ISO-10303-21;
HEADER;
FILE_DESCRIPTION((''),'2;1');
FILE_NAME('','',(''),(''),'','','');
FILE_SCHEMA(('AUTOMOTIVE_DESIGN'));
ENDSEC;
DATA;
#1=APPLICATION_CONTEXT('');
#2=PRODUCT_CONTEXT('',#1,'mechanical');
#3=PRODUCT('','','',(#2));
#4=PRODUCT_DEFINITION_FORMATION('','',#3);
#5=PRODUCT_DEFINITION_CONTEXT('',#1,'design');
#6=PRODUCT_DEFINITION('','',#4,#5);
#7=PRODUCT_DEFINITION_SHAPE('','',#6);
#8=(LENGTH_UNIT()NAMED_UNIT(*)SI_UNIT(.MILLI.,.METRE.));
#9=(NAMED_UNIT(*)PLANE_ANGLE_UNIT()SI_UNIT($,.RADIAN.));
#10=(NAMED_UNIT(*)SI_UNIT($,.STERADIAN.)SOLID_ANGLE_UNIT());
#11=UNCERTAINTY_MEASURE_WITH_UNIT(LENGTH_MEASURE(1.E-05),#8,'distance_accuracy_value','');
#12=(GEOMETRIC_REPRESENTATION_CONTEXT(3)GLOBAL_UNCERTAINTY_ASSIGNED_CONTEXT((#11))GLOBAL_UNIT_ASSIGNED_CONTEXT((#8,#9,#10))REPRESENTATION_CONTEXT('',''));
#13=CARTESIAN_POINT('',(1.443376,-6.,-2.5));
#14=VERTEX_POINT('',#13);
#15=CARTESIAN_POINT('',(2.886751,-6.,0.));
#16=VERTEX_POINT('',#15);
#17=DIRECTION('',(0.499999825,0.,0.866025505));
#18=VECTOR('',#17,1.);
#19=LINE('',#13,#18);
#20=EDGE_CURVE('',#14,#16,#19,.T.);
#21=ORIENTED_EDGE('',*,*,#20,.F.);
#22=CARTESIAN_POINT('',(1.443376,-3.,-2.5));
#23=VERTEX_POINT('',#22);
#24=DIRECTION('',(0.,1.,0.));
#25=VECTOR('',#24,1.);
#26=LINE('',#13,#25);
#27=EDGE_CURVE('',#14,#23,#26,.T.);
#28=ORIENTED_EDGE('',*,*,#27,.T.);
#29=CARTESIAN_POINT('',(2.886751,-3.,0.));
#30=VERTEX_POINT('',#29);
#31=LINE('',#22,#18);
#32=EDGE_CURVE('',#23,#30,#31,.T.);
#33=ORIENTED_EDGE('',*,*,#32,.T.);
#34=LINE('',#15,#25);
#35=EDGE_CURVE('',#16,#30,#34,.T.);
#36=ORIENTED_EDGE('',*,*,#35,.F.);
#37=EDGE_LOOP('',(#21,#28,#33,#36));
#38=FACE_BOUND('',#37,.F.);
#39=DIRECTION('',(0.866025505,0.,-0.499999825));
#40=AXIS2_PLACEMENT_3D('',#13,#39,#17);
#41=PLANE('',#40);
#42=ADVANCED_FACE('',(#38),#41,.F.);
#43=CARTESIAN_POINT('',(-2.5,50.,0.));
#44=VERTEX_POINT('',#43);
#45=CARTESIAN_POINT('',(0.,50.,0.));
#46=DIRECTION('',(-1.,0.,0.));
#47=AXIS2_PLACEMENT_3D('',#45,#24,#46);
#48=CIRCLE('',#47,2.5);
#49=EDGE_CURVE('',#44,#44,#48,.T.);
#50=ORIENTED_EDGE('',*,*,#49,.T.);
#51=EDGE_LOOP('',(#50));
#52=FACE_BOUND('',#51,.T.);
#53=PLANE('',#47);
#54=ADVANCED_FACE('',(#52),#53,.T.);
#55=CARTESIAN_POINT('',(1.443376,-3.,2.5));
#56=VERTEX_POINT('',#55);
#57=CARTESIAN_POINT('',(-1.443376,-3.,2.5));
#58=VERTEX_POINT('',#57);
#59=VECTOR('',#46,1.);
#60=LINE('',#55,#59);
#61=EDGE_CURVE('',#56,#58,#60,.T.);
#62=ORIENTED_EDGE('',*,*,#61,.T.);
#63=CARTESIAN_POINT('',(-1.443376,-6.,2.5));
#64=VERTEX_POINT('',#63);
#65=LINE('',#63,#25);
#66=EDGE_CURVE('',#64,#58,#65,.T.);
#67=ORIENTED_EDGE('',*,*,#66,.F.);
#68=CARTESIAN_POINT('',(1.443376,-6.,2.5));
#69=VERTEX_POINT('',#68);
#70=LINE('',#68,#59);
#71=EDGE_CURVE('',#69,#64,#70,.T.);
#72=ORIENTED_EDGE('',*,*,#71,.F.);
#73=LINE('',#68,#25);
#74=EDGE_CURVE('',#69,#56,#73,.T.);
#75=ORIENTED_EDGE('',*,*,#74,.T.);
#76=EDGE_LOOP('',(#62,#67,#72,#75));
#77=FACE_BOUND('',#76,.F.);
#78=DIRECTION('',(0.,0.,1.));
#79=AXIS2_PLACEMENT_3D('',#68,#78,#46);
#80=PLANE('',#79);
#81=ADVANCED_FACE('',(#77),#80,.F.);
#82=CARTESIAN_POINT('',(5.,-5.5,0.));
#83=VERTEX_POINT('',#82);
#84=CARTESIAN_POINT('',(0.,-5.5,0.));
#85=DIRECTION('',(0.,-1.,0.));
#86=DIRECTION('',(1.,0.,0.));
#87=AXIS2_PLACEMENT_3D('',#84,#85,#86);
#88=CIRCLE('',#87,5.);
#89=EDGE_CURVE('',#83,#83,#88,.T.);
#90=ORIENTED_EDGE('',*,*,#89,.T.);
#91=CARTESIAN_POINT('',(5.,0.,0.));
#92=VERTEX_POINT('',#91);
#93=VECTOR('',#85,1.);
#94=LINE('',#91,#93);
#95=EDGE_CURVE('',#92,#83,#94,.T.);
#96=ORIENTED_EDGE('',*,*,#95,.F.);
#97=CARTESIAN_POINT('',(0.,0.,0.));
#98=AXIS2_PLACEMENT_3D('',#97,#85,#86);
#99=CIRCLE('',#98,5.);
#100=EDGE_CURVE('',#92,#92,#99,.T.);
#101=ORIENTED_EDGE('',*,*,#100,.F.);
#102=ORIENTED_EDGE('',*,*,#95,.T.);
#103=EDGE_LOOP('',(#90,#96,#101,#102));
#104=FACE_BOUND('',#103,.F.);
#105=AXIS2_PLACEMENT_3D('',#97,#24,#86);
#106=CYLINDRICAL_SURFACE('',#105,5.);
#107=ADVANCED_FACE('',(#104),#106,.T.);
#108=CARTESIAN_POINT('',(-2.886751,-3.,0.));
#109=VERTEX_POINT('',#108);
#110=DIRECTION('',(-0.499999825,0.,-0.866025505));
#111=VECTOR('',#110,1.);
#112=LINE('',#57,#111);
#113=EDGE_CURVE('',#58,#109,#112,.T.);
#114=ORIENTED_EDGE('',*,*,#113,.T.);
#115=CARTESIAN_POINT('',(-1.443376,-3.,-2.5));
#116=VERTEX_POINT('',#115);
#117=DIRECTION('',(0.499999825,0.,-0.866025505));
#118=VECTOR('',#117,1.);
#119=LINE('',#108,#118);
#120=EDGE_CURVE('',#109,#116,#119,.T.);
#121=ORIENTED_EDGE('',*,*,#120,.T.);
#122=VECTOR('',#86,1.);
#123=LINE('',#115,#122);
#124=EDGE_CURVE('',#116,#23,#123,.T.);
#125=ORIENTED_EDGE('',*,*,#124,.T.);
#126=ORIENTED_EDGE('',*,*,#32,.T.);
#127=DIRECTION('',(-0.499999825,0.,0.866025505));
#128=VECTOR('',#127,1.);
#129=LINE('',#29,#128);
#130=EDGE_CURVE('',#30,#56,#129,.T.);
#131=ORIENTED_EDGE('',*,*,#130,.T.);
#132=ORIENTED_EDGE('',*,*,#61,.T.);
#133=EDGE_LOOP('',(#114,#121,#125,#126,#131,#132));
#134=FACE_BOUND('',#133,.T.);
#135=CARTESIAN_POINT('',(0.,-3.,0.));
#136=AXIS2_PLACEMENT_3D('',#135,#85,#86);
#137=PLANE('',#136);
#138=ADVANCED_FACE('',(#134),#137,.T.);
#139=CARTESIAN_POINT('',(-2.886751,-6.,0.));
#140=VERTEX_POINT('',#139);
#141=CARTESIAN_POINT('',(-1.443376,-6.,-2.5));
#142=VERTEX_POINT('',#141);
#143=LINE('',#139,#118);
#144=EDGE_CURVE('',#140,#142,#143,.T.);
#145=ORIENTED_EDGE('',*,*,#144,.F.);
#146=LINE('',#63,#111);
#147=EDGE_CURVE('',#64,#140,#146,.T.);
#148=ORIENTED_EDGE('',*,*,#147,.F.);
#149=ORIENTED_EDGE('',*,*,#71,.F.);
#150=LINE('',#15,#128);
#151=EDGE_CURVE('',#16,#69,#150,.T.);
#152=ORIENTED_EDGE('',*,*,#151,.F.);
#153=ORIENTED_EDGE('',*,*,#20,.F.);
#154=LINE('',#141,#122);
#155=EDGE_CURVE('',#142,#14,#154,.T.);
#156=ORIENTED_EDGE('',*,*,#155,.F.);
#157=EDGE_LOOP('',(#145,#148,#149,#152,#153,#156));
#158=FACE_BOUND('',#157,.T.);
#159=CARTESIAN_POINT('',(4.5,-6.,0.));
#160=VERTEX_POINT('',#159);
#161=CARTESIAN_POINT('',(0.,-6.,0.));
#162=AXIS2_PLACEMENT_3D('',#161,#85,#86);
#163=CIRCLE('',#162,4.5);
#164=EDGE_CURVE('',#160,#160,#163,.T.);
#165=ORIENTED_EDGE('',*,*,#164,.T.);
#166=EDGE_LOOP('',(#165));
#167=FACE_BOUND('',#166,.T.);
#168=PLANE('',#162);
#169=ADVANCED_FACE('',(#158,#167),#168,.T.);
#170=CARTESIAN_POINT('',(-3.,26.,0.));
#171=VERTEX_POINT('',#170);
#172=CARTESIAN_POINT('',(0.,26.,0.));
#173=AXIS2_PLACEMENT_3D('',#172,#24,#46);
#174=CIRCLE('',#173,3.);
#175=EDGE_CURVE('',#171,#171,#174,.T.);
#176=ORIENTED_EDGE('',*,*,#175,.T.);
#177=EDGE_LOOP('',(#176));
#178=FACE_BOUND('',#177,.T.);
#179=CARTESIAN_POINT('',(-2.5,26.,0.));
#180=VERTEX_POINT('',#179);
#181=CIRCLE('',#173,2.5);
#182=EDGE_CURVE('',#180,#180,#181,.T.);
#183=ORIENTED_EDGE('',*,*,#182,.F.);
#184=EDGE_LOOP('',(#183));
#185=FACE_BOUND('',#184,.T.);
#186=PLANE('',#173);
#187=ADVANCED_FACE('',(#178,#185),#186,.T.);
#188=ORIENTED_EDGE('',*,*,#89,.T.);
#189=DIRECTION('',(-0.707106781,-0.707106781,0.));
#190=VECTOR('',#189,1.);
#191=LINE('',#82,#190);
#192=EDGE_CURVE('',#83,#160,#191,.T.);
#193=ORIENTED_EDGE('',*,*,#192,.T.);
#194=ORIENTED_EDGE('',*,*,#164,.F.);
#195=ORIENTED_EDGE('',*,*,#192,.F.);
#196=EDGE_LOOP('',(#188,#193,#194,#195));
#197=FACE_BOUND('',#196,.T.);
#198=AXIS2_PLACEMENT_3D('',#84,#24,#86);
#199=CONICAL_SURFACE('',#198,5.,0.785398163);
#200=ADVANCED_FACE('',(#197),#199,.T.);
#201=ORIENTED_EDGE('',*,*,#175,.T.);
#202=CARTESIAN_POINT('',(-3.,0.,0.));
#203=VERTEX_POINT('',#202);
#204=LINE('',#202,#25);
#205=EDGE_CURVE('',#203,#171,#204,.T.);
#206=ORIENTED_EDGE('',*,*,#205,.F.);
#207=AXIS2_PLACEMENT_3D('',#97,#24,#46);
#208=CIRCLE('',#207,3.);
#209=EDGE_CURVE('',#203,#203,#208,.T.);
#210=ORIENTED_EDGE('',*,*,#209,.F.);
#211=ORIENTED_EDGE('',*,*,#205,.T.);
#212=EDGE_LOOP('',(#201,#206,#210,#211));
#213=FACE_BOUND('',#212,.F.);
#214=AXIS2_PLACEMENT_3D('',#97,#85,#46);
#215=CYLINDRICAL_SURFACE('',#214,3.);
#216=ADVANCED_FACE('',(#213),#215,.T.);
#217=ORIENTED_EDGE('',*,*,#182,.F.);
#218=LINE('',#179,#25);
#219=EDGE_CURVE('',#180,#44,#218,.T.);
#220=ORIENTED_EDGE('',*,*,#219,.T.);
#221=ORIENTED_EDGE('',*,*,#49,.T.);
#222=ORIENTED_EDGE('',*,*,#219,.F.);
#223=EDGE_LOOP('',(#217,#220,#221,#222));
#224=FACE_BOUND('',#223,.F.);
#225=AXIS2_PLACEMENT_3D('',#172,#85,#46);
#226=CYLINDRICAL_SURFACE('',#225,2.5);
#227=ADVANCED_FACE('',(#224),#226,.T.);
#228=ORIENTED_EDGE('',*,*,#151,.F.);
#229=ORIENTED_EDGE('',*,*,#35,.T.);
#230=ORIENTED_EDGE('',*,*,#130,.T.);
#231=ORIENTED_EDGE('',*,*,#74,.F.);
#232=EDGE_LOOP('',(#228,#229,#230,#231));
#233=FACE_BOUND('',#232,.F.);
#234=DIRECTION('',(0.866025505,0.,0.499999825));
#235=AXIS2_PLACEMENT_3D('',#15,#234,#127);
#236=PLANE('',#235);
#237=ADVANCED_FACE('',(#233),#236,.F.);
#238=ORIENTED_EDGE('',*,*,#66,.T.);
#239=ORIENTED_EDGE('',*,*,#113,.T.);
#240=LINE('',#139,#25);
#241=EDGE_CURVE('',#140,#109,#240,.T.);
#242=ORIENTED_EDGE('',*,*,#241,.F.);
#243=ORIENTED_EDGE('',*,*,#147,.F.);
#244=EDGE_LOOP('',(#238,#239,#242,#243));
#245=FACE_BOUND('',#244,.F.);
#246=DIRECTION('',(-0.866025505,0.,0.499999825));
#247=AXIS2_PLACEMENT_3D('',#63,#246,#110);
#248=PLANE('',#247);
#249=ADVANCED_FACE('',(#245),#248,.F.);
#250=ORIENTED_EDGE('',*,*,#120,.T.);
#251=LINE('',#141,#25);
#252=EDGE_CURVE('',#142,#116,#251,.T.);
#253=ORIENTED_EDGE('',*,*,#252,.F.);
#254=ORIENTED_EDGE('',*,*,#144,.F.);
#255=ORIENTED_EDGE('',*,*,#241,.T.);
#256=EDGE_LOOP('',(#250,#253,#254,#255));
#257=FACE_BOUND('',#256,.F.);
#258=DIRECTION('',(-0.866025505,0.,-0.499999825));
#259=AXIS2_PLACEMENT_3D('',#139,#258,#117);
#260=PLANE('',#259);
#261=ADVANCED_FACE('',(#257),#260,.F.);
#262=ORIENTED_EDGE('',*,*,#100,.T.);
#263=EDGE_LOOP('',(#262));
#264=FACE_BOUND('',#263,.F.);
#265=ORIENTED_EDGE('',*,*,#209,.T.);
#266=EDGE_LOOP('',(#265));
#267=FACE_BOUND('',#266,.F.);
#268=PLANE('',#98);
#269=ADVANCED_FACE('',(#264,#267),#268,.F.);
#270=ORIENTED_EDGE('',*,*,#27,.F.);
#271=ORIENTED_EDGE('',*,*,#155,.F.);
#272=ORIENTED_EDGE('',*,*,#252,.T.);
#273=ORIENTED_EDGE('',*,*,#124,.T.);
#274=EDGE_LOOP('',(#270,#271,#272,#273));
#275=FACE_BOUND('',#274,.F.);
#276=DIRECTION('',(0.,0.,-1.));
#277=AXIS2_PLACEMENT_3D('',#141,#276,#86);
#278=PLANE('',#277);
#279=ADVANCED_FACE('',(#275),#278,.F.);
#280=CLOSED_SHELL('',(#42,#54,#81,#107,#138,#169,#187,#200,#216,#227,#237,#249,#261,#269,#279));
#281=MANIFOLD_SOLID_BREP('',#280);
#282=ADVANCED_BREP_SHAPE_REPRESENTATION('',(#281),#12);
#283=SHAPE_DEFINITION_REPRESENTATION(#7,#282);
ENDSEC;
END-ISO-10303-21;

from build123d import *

# Parameters (mm, degrees)
F0_R     = 5
F1_DEPTH = 6
F2_R     = 3
F3_DEPTH = 26
F4_R     = 2.5
F5_DEPTH = 24
F7_DEPTH = 3
F8_SIZE  = 0.5


with BuildPart() as f1:
    # F0 (on Front) → F1 (new body)
    with BuildSketch(Plane.XZ):
        Circle(F0_R)
    extrude(amount=F1_DEPTH)

    # F2 (on face) → F3 (join)
    with BuildSketch(Plane(origin=(0, 0, 0), x_dir=(-1, 0, 0), z_dir=(0, 1, 0))):
        Circle(F2_R)
    extrude(amount=F3_DEPTH)

    # F4 (on face) → F5 (join)
    with BuildSketch(Plane(origin=(0, 26, 0), x_dir=(-1, 0, 0), z_dir=(0, 1, 0))):
        Circle(F4_R)
    extrude(amount=F5_DEPTH)

    # F6 (on face) → F7 (cut)
    with BuildSketch(Plane.XZ.offset(6)):
        Polygon((1.443376, 2.5), (-1.443376, 2.5), (-2.886751, 0), (-1.443376, -2.5), (1.443376, -2.5), (2.886751, 0), align=None)
    extrude(amount=-F7_DEPTH, mode=Mode.SUBTRACT)

    # F8
    f8_edges = [f1.edges().sort_by_distance(p)[0] for p in [
        (-5, -6, 0),
    ]]
    chamfer(f8_edges, length=F8_SIZE)


solid = f1.part
